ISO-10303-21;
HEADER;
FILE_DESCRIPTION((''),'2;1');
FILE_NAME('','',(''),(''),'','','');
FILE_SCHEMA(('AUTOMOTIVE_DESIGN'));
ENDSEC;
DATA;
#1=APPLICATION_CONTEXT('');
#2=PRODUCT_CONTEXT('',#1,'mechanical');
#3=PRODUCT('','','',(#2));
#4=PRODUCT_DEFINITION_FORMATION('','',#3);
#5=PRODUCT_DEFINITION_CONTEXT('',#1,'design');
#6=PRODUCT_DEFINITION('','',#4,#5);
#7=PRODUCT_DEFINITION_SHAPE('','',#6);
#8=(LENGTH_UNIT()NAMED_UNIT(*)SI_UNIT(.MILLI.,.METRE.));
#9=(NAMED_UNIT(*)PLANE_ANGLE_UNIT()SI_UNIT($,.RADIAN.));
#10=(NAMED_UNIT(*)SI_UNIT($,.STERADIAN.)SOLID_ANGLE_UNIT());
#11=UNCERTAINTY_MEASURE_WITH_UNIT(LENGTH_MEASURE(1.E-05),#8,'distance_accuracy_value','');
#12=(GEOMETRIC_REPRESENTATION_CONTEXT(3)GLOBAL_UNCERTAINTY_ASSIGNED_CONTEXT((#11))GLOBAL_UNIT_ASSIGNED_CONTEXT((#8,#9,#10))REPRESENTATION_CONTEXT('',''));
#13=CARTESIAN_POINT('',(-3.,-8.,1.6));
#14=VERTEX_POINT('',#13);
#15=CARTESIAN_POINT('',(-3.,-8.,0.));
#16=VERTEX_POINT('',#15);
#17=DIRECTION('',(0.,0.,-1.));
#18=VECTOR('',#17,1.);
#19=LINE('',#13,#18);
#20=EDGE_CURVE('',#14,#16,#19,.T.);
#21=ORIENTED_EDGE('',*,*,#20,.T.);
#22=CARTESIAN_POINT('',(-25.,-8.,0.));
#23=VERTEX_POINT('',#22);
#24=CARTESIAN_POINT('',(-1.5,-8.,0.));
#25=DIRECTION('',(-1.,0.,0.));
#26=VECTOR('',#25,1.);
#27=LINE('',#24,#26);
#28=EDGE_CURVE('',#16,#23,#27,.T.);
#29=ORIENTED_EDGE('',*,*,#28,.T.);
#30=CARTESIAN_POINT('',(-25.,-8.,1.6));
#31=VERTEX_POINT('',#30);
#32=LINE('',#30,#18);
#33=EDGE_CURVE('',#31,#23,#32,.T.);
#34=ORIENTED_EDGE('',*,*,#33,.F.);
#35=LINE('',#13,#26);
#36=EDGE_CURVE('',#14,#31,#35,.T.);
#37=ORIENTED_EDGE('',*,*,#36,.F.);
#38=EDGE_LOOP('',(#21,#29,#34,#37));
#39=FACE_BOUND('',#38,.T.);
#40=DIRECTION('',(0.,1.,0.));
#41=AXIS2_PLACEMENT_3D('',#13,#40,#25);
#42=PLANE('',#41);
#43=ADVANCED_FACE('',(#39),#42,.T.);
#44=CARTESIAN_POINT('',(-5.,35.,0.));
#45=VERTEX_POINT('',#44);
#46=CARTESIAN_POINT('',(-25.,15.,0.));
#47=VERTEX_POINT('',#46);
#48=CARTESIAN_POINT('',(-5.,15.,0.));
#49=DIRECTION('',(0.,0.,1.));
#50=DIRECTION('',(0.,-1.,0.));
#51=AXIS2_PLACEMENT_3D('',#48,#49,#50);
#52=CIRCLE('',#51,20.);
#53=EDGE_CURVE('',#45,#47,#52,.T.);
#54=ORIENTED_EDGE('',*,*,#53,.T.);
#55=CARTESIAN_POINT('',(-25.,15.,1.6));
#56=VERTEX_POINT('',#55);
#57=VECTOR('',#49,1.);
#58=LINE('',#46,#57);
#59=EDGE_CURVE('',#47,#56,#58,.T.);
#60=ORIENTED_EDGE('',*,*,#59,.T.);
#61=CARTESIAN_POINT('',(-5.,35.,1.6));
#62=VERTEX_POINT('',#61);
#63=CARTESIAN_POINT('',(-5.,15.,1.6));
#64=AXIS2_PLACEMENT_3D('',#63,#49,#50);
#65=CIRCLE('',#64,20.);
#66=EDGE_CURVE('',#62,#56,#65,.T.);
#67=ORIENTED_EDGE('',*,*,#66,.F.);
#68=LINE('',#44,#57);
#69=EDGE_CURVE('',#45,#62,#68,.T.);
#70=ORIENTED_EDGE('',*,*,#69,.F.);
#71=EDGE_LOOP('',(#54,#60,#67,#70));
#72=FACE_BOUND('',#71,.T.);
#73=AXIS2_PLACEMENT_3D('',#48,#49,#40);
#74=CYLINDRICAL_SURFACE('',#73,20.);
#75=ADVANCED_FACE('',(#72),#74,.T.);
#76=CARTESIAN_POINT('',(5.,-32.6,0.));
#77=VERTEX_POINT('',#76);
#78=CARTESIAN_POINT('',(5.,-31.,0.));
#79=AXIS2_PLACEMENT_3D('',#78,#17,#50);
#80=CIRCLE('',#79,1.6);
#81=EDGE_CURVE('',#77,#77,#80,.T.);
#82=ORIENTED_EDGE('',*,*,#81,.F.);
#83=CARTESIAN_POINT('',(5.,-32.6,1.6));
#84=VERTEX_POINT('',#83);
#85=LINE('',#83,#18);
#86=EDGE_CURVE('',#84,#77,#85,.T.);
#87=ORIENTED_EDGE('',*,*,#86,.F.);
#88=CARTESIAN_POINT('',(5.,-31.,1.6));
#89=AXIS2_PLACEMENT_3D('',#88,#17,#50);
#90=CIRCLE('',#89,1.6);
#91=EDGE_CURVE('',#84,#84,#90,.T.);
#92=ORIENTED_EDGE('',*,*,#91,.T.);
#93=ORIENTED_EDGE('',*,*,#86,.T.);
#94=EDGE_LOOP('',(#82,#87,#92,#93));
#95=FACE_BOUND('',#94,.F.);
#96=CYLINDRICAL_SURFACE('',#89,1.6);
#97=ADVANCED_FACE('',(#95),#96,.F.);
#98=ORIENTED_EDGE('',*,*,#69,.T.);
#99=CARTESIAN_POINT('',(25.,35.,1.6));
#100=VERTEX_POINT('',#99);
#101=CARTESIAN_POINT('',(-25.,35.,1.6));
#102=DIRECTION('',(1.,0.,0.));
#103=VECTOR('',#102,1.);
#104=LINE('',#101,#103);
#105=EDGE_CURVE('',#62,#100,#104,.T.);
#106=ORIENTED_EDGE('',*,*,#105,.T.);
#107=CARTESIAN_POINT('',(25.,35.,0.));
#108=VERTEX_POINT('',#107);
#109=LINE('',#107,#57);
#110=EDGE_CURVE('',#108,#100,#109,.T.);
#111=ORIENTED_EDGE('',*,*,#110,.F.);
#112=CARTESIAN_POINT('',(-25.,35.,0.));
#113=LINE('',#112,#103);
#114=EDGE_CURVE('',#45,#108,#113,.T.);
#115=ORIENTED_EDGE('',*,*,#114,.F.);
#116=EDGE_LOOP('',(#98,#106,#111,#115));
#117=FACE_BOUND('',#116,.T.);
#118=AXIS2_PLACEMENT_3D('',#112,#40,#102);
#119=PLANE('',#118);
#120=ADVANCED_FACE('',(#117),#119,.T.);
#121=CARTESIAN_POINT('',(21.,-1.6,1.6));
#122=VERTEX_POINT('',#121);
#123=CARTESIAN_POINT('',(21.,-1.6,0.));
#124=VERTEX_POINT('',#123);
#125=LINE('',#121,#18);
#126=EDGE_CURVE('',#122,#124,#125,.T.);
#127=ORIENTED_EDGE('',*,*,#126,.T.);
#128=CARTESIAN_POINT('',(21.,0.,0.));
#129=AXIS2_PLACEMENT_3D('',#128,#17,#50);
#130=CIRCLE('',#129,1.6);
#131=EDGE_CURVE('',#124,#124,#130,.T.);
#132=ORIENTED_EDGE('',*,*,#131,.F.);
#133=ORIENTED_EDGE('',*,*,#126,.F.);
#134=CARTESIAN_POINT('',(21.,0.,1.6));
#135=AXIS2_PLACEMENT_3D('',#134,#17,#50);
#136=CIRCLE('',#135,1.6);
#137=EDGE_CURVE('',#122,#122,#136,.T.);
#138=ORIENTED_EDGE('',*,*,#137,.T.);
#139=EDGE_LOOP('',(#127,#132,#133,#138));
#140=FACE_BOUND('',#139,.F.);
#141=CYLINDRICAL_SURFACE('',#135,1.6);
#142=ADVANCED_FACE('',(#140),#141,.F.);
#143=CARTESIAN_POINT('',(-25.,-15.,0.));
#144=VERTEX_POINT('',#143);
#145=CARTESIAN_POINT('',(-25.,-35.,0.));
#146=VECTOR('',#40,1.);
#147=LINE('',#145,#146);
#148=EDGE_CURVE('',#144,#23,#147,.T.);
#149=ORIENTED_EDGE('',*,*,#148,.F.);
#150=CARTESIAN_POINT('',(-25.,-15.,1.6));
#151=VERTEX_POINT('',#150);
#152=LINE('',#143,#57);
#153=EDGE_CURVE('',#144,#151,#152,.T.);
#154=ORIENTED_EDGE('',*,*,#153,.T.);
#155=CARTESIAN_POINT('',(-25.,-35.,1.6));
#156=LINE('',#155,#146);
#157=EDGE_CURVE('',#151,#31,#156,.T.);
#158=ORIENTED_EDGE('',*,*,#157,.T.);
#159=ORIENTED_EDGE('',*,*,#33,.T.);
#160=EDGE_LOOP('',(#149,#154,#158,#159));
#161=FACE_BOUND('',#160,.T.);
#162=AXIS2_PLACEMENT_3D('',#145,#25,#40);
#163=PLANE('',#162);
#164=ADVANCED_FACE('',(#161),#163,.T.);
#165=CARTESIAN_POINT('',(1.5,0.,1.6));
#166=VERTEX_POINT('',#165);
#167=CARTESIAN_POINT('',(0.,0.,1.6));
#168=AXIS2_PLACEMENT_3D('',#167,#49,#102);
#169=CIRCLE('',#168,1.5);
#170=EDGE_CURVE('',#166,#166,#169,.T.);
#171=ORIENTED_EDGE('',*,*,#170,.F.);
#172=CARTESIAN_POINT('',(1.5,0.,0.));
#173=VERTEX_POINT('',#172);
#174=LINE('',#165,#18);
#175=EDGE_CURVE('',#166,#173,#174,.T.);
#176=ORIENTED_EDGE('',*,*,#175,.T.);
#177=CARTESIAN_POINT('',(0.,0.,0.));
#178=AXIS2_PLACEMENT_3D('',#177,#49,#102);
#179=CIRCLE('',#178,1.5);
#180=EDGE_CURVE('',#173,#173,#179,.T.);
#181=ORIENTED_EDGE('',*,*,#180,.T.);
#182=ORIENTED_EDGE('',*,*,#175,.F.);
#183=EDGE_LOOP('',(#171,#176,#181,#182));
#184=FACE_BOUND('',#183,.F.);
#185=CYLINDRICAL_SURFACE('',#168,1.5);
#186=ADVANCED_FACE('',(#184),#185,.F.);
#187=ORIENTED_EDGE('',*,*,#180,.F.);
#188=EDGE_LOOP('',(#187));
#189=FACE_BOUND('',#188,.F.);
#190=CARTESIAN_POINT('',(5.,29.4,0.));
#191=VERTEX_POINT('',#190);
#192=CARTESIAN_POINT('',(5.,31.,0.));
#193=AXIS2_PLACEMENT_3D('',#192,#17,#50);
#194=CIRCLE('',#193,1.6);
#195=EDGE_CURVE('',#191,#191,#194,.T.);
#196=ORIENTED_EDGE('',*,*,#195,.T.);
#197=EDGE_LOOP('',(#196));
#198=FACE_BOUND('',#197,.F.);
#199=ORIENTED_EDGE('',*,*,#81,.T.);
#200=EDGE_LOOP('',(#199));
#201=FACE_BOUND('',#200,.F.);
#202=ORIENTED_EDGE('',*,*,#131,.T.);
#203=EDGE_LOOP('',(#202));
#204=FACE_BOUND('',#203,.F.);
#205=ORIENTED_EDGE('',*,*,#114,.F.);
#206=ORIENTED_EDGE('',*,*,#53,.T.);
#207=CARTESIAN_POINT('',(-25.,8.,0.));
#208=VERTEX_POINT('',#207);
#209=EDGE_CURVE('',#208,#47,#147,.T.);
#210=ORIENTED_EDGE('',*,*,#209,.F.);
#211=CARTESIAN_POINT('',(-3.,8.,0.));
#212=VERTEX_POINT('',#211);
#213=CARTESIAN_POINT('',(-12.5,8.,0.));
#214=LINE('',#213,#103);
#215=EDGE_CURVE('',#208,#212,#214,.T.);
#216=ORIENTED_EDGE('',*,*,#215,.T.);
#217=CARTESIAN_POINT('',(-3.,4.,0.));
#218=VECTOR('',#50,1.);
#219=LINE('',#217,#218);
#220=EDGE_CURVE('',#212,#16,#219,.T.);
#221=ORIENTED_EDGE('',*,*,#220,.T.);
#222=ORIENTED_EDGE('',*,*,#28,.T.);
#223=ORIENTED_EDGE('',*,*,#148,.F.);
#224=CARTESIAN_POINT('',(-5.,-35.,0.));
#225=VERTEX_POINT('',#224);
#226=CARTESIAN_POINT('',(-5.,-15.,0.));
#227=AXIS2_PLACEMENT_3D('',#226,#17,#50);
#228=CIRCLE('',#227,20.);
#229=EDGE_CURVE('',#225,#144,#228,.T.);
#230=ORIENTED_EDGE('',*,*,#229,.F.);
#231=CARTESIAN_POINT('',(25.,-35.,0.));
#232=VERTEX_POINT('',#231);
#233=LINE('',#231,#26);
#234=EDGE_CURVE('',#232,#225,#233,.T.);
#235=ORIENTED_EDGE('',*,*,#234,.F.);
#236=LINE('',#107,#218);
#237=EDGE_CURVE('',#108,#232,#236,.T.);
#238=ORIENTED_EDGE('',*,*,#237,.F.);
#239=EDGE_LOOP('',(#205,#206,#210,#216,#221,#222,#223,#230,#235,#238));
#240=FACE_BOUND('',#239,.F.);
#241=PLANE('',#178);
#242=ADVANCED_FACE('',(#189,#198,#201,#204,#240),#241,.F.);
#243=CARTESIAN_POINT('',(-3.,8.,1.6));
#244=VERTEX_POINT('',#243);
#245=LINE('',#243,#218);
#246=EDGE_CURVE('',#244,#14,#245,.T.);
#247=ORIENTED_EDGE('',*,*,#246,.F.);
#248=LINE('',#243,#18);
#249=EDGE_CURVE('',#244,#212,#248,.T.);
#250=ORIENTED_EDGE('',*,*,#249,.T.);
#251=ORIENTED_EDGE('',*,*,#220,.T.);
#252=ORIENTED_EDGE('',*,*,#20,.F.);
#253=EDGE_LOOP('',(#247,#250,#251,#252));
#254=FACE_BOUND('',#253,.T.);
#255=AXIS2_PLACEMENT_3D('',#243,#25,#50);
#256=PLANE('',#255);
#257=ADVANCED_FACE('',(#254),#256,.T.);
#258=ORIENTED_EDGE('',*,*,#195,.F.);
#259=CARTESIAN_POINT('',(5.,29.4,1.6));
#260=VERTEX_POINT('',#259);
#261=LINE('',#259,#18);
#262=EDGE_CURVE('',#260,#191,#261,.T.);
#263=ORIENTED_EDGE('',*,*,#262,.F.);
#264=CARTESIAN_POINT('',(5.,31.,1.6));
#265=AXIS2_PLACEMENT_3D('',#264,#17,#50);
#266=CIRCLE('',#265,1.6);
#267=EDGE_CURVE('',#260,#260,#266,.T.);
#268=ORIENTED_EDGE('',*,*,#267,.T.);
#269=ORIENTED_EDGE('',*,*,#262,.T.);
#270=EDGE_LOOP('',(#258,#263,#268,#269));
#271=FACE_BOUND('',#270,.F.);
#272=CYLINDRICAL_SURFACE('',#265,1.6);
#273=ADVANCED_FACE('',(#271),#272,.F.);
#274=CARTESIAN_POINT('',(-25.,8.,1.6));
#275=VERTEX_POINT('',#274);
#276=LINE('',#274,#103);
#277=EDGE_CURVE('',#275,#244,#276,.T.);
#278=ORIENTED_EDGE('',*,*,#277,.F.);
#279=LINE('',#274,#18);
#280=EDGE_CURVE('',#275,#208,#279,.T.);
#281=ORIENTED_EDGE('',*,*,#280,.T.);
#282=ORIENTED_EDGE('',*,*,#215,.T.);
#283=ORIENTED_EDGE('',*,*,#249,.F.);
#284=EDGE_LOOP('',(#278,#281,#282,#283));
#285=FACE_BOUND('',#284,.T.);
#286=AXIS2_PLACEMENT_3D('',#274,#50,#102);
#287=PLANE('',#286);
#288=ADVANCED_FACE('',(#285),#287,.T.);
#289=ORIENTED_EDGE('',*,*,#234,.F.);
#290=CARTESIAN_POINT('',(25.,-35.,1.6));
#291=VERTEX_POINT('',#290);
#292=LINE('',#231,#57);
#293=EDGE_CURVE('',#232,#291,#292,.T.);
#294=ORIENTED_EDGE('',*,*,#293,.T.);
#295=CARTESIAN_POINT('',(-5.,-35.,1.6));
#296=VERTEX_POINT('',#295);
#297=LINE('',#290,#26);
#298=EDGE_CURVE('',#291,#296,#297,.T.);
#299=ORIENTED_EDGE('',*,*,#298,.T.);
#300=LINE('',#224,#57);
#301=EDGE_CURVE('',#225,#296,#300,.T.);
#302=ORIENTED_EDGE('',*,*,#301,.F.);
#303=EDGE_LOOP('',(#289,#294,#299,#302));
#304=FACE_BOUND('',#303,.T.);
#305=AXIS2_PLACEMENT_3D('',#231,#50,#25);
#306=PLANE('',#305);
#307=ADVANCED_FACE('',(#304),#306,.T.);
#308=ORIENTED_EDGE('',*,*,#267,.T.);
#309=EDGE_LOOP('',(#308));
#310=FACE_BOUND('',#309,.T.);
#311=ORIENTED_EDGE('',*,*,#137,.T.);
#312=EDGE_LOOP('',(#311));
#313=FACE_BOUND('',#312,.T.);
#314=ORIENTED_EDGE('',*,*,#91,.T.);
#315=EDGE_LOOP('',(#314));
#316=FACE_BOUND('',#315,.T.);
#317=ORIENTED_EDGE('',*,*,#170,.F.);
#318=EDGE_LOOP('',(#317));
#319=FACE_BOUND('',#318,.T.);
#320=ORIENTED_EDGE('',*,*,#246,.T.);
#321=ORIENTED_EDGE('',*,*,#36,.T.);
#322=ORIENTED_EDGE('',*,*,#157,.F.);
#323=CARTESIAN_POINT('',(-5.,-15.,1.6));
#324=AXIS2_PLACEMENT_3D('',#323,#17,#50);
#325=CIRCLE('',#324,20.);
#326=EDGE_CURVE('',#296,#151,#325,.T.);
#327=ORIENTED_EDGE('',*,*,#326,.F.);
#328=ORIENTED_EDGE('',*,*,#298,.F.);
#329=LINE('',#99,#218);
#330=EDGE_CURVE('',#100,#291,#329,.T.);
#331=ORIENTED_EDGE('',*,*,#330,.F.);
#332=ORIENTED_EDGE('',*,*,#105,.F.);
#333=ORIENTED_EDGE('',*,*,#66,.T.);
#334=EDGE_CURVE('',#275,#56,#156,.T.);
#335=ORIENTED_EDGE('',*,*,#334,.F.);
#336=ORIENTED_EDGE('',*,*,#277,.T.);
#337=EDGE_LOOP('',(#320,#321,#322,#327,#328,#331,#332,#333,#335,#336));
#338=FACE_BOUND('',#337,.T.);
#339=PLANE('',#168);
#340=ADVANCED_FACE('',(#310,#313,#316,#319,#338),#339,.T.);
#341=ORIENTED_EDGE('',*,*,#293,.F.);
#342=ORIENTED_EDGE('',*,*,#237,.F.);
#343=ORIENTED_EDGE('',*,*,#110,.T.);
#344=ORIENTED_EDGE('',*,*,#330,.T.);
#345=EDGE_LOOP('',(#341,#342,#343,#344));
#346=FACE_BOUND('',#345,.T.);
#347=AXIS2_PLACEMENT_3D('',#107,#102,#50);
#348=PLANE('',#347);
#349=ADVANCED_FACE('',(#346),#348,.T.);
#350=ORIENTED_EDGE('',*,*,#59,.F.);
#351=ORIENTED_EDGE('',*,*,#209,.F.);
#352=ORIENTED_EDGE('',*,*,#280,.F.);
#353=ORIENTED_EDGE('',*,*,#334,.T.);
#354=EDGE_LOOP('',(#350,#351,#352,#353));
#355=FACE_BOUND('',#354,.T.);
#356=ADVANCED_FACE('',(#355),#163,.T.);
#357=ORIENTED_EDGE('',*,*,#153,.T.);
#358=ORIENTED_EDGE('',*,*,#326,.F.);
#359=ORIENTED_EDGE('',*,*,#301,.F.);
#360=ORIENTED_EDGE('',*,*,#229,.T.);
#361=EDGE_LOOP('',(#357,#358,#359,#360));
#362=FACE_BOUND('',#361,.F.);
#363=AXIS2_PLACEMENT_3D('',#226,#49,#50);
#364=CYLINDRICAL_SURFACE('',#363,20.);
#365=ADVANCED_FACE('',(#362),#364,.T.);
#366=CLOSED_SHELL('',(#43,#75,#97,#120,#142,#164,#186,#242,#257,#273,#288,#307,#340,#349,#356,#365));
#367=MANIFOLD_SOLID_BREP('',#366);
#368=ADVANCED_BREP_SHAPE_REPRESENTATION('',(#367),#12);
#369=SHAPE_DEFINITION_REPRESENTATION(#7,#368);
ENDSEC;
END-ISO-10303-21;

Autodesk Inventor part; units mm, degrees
ref_plane "YZ Plane" through (0, 0, 0) normal (1, 0, 0) x (0, 1, 0)
ref_plane "XZ Plane" through (0, 0, 0) normal (0, 1, 0) x (-1, 0, 0)
ref_plane "XY Plane" through (0, 0, 0) normal (0, 0, 1) x (1, 0, 0)
sketch "スケッチ1" plane through (0, 0, 0) normal (0, 0, 1) x (1, 0, 0)
  line L0 (-25, 35) -> (25, 35)
  line L1 (25, 35) -> (25, -35)
  line L2 (25, -35) -> (-25, -35)
  line L3 (-25, -35) -> (-25, 35)
  point P0 (0, 0)
  point P1 (-25, 0)
  point P2 (0, 35)
  dimension "d0" = 50
  dimension "d1" = 70
extrude "押し出し1" add sketch "スケッチ1" along normal blind 1.6
sketch "スケッチ2" plane through (0, 0, 1.6) normal (0, 0, 1) x (1, 0, 0)
  line L0 (-25, 35) -> (-25, -35) projected
  line L1 (-25, 8) -> (-3, 8)
  line L2 (-3, 8) -> (-3, -8)
  line L3 (-3, -8) -> (-25, -8)
  line L4 (-25, -8) -> (-25, 8)
  circle A0 centre (0, 0) radius 1.5
  point P0 (-25, 0)
  dimension "d10" = 16
  dimension "d11" = 3
  dimension "d12" = 25
  dimension "d13" = 3
extrude "押し出し2" cut sketch "スケッチ2" against normal through all
fillet "フィレット1" radius 20 2 edges at (-25, -35, 0.8) (-25, 35, 0.8)
sketch "スケッチ3" plane through (0, 0, 1.6) normal (0, 0, 1) x (1, 0, 0)
  line L0 (25, -35) -> (25, 35) projected
  line L1 (25, 35) -> (-5, 35) projected
  line L2 (-30.9592, 0) -> (30.9592, 0) construction
  line L3 (-25, 8) -> (-3, 8) construction
  line L4 (-25, 15) -> (-25, 8) construction
  point P0 (0, 0)
  point P1 (21, 0)
  point P2 (-21, -12)
  point P3 (5, -31)
  point P4 (5, 31)
  point P5 (0, 0)
  dimension "d26" = 30
  dimension "d27" = 4
  dimension "d28" = 4
hole "穴1" at (5, 31, 1.6) at (21, 0, 1.6) at (5, -31, 1.6) direction (0, 0, -1) diameter 3.2 end through all
properties part number "PCB-main"
